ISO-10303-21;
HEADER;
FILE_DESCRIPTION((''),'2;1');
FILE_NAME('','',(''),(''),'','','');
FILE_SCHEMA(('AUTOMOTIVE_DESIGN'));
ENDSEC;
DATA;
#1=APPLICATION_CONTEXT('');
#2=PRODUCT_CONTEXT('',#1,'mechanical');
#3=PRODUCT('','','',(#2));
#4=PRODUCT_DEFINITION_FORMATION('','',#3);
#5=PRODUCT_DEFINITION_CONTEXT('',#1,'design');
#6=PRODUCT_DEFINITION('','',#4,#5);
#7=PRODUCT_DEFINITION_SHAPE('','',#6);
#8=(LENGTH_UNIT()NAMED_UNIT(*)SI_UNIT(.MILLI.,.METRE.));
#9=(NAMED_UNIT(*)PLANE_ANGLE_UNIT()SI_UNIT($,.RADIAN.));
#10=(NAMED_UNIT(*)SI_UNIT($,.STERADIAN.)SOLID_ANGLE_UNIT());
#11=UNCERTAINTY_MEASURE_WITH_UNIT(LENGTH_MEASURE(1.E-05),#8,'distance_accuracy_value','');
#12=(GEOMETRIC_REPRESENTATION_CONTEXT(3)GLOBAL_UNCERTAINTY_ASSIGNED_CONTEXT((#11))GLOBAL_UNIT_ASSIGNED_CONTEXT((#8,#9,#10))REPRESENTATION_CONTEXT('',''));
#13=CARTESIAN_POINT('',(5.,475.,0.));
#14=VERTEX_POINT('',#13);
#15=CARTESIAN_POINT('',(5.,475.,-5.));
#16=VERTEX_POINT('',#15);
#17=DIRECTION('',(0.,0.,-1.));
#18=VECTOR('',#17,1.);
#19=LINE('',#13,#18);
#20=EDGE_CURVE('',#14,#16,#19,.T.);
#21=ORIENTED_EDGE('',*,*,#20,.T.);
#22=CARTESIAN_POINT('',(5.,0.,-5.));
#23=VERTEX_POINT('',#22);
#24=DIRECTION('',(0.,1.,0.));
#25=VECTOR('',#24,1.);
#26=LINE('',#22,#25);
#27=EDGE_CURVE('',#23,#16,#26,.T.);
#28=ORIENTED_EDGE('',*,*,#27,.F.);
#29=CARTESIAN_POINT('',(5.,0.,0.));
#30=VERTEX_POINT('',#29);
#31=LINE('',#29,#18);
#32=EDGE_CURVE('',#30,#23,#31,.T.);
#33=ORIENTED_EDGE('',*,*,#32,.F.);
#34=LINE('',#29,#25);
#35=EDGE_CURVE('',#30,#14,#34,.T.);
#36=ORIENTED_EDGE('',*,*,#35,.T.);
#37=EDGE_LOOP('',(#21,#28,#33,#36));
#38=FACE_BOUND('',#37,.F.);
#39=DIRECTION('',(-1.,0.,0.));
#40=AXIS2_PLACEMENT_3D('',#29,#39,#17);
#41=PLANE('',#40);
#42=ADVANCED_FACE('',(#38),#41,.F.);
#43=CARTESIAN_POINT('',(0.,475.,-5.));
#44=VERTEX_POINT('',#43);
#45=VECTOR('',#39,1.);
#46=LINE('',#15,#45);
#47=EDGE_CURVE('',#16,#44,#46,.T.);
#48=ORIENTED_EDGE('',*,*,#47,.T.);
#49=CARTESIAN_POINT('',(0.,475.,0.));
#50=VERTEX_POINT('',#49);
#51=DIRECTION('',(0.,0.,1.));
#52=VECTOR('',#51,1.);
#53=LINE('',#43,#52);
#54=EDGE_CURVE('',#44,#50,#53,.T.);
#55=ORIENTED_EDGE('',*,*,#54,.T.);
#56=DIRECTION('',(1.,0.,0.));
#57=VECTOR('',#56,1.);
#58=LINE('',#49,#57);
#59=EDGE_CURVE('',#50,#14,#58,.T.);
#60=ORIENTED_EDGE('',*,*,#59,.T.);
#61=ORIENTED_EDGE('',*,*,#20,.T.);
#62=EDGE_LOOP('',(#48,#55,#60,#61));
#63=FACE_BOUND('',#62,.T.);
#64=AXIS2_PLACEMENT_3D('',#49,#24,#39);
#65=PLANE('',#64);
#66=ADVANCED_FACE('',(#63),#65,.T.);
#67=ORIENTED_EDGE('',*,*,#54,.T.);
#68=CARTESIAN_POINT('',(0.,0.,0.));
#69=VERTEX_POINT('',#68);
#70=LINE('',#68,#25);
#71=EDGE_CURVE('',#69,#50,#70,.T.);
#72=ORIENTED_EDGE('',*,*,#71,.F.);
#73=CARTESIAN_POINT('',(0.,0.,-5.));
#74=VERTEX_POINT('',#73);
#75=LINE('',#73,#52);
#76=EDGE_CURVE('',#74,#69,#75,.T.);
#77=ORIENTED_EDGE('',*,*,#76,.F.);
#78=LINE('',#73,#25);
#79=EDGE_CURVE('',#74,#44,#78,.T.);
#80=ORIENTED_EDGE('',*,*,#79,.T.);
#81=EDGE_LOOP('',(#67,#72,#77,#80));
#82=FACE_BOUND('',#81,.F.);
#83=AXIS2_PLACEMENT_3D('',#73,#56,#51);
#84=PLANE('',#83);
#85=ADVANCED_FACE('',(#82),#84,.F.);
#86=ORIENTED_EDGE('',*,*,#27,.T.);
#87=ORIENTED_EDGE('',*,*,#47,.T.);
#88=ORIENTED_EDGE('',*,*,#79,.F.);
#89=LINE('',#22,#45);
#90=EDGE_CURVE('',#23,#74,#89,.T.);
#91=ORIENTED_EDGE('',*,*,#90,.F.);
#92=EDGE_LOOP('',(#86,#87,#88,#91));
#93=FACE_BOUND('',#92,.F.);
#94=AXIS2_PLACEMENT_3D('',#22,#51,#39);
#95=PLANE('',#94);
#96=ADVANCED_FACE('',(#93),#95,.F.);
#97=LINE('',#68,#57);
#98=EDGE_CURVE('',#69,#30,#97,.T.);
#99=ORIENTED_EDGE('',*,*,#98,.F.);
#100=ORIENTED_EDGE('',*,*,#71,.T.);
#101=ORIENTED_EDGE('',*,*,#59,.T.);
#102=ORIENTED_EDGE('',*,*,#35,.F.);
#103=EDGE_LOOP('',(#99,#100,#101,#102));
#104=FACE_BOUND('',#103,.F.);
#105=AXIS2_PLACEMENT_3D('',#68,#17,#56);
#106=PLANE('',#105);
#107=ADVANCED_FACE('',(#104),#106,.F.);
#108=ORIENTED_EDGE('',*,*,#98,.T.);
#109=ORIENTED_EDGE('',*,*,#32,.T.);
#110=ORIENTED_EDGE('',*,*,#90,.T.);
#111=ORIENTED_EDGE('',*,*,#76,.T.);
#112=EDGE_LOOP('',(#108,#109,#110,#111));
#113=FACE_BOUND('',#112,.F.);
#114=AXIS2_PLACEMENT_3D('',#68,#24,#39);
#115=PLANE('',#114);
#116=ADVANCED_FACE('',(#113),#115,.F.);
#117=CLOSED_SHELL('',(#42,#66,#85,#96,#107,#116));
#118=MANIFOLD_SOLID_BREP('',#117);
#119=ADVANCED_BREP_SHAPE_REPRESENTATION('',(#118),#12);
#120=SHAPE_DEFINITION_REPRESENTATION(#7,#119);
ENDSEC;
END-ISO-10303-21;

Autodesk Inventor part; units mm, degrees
ref_plane "YZ Plane" through (0, 0, 0) normal (1, 0, 0) x (0, 1, 0)
ref_plane "XZ Plane" through (0, 0, 0) normal (0, 1, 0) x (-1, 0, 0)
ref_plane "XY Plane" through (0, 0, 0) normal (0, 0, 1) x (1, 0, 0)
sketch "Sketch4" plane through (0, 0, 0) normal (0, 1, 0) x (-1, 0, 0)
  line L0 (0, 0) -> (-5, 0)
  line L1 (-5, 0) -> (-5, -5)
  line L2 (-5, -5) -> (0, -5)
  line L3 (0, -5) -> (0, 0)
  dimension "d103" = 5
  dimension "d104" = 5
extrude "Extrusion7" add sketch "Sketch4" along normal blind 475
properties part number "airfoil"
